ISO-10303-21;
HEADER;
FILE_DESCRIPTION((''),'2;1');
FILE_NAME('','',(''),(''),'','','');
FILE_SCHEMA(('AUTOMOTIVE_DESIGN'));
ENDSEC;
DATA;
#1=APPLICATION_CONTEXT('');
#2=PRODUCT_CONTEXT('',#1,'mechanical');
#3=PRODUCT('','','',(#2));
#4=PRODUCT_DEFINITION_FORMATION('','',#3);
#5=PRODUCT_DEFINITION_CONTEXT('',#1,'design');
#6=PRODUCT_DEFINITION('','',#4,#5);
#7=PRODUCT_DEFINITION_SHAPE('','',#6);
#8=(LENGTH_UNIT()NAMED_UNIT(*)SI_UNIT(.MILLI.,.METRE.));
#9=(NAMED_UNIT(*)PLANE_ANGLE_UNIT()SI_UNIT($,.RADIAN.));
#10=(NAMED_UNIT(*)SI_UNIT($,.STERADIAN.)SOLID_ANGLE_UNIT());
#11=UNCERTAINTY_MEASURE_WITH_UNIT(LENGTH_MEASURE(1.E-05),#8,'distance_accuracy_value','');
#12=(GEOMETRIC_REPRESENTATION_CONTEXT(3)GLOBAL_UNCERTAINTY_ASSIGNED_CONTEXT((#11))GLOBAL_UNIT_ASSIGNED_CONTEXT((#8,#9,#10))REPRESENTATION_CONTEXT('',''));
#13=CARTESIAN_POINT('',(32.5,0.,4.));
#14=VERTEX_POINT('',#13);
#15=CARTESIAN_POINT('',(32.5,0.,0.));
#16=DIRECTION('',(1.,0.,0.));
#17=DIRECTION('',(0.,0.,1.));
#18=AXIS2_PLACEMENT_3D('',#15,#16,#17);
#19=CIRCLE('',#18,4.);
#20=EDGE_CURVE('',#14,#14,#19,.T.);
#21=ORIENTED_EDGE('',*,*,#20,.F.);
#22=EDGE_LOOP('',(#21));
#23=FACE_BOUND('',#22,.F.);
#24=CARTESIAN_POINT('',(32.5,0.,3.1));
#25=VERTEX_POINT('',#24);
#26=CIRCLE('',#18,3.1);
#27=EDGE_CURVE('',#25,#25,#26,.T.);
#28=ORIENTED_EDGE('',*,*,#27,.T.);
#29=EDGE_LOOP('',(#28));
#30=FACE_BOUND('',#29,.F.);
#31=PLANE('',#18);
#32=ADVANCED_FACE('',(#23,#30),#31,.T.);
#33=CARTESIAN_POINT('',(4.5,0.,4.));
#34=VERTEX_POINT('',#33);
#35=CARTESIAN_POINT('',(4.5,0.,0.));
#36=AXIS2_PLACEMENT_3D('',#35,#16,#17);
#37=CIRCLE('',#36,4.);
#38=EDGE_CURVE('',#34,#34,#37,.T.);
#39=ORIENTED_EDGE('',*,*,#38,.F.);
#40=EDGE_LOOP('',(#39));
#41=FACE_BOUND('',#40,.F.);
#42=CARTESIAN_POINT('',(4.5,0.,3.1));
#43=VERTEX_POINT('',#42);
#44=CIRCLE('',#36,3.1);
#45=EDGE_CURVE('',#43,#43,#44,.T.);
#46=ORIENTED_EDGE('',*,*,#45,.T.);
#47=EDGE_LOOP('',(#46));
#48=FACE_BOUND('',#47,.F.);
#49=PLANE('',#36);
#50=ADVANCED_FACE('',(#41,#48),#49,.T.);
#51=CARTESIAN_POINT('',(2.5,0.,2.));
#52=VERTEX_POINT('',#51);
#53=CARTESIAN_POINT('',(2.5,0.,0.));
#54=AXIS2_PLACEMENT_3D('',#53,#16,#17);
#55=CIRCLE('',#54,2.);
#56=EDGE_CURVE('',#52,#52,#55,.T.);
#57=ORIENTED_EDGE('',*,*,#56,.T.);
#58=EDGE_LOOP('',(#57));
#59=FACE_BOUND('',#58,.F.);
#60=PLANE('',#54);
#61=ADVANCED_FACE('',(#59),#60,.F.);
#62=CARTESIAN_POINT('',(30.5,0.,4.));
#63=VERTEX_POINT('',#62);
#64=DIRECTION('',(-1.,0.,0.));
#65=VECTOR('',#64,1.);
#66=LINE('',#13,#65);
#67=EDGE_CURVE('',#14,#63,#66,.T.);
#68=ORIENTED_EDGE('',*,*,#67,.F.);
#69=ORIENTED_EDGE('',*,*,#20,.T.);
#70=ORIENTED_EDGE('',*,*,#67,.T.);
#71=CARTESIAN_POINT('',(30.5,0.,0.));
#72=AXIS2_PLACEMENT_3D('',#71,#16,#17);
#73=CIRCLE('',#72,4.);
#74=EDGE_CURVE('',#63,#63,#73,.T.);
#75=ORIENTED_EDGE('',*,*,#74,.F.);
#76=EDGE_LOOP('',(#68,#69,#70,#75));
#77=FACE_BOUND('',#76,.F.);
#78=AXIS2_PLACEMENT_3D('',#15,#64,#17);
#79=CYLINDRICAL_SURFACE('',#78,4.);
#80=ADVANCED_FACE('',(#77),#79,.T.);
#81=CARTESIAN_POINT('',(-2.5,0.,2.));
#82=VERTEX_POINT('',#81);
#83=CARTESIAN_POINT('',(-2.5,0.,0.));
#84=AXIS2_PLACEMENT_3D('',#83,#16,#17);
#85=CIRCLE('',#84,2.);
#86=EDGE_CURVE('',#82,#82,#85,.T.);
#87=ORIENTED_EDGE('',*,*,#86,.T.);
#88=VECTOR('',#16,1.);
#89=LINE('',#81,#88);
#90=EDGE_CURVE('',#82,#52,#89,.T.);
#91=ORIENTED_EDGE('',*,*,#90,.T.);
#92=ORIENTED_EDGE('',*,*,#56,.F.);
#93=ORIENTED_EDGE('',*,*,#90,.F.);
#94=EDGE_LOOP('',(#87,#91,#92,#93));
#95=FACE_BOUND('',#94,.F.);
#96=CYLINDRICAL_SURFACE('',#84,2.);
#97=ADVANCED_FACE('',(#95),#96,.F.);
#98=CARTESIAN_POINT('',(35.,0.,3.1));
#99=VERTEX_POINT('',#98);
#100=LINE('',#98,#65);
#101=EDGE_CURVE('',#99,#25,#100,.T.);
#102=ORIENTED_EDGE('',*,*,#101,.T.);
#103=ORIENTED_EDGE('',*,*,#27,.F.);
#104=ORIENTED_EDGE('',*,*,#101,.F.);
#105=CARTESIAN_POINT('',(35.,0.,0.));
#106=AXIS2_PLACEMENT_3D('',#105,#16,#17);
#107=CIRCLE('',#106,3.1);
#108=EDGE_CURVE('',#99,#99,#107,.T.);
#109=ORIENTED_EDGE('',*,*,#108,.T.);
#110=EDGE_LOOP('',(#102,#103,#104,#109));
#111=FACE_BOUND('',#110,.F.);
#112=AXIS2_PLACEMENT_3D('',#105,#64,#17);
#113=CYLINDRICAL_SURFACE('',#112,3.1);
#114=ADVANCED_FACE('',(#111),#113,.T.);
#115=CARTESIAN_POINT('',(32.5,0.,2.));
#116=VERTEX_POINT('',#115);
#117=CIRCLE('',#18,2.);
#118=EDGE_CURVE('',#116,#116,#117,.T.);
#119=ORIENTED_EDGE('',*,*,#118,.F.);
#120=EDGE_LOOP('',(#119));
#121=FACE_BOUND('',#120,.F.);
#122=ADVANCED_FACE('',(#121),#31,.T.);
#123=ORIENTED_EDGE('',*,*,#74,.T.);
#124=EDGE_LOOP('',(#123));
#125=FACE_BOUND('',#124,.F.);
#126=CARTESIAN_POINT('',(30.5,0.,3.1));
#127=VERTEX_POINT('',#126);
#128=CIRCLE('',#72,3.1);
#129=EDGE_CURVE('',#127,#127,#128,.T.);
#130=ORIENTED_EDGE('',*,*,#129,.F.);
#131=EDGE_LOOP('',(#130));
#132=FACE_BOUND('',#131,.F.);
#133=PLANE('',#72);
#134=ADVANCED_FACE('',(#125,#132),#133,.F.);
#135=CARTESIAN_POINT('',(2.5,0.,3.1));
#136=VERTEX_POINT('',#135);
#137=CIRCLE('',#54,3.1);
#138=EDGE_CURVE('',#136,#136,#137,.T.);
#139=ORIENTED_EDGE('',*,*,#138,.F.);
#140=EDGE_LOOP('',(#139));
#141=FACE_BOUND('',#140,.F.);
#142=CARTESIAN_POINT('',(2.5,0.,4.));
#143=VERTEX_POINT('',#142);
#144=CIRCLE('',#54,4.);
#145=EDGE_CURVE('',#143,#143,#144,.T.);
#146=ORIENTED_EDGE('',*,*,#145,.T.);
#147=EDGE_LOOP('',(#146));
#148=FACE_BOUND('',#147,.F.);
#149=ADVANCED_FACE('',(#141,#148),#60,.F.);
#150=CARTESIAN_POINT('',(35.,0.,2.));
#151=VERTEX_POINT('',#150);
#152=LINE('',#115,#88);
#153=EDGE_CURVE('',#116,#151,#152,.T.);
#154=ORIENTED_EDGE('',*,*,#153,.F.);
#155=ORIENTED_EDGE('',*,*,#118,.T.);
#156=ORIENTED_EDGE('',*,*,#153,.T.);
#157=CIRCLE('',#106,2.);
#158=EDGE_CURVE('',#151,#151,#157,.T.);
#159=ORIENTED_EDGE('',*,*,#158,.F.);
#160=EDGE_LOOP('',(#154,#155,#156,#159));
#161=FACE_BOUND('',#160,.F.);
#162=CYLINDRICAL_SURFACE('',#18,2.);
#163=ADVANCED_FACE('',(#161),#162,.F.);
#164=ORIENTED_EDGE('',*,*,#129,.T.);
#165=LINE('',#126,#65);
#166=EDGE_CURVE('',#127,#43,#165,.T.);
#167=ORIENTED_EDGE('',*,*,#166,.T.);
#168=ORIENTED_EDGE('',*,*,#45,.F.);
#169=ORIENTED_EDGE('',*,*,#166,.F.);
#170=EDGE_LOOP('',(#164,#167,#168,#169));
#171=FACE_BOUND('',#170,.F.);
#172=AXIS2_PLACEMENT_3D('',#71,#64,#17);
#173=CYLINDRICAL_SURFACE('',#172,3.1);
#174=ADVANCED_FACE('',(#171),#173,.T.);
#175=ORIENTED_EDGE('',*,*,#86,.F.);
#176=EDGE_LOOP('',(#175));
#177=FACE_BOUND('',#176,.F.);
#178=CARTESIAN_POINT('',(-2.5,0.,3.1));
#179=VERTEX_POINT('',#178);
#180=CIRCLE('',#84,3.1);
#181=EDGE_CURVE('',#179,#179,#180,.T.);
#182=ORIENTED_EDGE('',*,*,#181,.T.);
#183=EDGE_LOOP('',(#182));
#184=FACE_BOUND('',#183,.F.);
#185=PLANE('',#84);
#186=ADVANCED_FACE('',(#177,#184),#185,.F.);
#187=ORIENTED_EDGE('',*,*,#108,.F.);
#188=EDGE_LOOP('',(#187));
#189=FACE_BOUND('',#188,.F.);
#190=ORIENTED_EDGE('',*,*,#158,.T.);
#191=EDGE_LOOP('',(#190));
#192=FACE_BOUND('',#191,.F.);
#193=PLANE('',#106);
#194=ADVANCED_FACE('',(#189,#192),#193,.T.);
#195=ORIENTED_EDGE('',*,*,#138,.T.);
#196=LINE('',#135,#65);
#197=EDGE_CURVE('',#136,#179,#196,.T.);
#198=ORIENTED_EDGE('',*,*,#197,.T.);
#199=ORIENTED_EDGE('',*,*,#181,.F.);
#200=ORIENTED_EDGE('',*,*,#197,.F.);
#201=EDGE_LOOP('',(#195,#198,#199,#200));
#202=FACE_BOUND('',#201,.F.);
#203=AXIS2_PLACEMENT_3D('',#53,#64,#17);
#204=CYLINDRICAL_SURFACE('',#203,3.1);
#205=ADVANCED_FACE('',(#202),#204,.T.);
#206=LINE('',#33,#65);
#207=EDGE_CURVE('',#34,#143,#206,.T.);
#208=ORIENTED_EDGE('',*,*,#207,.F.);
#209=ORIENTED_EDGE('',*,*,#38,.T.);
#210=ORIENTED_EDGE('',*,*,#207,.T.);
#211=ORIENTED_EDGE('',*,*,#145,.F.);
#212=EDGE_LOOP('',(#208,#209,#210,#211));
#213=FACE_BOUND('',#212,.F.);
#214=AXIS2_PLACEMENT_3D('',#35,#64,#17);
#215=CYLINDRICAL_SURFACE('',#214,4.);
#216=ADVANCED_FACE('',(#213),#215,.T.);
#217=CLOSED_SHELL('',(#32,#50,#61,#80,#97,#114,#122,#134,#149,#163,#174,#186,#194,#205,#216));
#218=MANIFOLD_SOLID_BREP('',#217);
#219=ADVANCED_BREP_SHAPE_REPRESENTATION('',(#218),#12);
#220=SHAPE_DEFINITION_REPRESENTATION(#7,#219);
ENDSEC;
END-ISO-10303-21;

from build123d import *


with BuildPart() as f1:
    # F0 (on Front) → F1 (revolve)
    with BuildSketch(Plane.XZ):
        Polygon((2.5, 3.1), (-2.5, 3.1), (-2.5, 2), (2.5, 2), (2.5, 0), (32.5, 0), (32.5, 2), (35, 2), (35, 3.1), (32.5, 3.1), (32.5, 4), (30.5, 4), (30.5, 3.1), (4.5, 3.1), (4.5, 4), (2.5, 4), align=None)
    revolve(axis=Axis((8.809999, 0, 0), (1, 0, 0)))


solid = f1.part
